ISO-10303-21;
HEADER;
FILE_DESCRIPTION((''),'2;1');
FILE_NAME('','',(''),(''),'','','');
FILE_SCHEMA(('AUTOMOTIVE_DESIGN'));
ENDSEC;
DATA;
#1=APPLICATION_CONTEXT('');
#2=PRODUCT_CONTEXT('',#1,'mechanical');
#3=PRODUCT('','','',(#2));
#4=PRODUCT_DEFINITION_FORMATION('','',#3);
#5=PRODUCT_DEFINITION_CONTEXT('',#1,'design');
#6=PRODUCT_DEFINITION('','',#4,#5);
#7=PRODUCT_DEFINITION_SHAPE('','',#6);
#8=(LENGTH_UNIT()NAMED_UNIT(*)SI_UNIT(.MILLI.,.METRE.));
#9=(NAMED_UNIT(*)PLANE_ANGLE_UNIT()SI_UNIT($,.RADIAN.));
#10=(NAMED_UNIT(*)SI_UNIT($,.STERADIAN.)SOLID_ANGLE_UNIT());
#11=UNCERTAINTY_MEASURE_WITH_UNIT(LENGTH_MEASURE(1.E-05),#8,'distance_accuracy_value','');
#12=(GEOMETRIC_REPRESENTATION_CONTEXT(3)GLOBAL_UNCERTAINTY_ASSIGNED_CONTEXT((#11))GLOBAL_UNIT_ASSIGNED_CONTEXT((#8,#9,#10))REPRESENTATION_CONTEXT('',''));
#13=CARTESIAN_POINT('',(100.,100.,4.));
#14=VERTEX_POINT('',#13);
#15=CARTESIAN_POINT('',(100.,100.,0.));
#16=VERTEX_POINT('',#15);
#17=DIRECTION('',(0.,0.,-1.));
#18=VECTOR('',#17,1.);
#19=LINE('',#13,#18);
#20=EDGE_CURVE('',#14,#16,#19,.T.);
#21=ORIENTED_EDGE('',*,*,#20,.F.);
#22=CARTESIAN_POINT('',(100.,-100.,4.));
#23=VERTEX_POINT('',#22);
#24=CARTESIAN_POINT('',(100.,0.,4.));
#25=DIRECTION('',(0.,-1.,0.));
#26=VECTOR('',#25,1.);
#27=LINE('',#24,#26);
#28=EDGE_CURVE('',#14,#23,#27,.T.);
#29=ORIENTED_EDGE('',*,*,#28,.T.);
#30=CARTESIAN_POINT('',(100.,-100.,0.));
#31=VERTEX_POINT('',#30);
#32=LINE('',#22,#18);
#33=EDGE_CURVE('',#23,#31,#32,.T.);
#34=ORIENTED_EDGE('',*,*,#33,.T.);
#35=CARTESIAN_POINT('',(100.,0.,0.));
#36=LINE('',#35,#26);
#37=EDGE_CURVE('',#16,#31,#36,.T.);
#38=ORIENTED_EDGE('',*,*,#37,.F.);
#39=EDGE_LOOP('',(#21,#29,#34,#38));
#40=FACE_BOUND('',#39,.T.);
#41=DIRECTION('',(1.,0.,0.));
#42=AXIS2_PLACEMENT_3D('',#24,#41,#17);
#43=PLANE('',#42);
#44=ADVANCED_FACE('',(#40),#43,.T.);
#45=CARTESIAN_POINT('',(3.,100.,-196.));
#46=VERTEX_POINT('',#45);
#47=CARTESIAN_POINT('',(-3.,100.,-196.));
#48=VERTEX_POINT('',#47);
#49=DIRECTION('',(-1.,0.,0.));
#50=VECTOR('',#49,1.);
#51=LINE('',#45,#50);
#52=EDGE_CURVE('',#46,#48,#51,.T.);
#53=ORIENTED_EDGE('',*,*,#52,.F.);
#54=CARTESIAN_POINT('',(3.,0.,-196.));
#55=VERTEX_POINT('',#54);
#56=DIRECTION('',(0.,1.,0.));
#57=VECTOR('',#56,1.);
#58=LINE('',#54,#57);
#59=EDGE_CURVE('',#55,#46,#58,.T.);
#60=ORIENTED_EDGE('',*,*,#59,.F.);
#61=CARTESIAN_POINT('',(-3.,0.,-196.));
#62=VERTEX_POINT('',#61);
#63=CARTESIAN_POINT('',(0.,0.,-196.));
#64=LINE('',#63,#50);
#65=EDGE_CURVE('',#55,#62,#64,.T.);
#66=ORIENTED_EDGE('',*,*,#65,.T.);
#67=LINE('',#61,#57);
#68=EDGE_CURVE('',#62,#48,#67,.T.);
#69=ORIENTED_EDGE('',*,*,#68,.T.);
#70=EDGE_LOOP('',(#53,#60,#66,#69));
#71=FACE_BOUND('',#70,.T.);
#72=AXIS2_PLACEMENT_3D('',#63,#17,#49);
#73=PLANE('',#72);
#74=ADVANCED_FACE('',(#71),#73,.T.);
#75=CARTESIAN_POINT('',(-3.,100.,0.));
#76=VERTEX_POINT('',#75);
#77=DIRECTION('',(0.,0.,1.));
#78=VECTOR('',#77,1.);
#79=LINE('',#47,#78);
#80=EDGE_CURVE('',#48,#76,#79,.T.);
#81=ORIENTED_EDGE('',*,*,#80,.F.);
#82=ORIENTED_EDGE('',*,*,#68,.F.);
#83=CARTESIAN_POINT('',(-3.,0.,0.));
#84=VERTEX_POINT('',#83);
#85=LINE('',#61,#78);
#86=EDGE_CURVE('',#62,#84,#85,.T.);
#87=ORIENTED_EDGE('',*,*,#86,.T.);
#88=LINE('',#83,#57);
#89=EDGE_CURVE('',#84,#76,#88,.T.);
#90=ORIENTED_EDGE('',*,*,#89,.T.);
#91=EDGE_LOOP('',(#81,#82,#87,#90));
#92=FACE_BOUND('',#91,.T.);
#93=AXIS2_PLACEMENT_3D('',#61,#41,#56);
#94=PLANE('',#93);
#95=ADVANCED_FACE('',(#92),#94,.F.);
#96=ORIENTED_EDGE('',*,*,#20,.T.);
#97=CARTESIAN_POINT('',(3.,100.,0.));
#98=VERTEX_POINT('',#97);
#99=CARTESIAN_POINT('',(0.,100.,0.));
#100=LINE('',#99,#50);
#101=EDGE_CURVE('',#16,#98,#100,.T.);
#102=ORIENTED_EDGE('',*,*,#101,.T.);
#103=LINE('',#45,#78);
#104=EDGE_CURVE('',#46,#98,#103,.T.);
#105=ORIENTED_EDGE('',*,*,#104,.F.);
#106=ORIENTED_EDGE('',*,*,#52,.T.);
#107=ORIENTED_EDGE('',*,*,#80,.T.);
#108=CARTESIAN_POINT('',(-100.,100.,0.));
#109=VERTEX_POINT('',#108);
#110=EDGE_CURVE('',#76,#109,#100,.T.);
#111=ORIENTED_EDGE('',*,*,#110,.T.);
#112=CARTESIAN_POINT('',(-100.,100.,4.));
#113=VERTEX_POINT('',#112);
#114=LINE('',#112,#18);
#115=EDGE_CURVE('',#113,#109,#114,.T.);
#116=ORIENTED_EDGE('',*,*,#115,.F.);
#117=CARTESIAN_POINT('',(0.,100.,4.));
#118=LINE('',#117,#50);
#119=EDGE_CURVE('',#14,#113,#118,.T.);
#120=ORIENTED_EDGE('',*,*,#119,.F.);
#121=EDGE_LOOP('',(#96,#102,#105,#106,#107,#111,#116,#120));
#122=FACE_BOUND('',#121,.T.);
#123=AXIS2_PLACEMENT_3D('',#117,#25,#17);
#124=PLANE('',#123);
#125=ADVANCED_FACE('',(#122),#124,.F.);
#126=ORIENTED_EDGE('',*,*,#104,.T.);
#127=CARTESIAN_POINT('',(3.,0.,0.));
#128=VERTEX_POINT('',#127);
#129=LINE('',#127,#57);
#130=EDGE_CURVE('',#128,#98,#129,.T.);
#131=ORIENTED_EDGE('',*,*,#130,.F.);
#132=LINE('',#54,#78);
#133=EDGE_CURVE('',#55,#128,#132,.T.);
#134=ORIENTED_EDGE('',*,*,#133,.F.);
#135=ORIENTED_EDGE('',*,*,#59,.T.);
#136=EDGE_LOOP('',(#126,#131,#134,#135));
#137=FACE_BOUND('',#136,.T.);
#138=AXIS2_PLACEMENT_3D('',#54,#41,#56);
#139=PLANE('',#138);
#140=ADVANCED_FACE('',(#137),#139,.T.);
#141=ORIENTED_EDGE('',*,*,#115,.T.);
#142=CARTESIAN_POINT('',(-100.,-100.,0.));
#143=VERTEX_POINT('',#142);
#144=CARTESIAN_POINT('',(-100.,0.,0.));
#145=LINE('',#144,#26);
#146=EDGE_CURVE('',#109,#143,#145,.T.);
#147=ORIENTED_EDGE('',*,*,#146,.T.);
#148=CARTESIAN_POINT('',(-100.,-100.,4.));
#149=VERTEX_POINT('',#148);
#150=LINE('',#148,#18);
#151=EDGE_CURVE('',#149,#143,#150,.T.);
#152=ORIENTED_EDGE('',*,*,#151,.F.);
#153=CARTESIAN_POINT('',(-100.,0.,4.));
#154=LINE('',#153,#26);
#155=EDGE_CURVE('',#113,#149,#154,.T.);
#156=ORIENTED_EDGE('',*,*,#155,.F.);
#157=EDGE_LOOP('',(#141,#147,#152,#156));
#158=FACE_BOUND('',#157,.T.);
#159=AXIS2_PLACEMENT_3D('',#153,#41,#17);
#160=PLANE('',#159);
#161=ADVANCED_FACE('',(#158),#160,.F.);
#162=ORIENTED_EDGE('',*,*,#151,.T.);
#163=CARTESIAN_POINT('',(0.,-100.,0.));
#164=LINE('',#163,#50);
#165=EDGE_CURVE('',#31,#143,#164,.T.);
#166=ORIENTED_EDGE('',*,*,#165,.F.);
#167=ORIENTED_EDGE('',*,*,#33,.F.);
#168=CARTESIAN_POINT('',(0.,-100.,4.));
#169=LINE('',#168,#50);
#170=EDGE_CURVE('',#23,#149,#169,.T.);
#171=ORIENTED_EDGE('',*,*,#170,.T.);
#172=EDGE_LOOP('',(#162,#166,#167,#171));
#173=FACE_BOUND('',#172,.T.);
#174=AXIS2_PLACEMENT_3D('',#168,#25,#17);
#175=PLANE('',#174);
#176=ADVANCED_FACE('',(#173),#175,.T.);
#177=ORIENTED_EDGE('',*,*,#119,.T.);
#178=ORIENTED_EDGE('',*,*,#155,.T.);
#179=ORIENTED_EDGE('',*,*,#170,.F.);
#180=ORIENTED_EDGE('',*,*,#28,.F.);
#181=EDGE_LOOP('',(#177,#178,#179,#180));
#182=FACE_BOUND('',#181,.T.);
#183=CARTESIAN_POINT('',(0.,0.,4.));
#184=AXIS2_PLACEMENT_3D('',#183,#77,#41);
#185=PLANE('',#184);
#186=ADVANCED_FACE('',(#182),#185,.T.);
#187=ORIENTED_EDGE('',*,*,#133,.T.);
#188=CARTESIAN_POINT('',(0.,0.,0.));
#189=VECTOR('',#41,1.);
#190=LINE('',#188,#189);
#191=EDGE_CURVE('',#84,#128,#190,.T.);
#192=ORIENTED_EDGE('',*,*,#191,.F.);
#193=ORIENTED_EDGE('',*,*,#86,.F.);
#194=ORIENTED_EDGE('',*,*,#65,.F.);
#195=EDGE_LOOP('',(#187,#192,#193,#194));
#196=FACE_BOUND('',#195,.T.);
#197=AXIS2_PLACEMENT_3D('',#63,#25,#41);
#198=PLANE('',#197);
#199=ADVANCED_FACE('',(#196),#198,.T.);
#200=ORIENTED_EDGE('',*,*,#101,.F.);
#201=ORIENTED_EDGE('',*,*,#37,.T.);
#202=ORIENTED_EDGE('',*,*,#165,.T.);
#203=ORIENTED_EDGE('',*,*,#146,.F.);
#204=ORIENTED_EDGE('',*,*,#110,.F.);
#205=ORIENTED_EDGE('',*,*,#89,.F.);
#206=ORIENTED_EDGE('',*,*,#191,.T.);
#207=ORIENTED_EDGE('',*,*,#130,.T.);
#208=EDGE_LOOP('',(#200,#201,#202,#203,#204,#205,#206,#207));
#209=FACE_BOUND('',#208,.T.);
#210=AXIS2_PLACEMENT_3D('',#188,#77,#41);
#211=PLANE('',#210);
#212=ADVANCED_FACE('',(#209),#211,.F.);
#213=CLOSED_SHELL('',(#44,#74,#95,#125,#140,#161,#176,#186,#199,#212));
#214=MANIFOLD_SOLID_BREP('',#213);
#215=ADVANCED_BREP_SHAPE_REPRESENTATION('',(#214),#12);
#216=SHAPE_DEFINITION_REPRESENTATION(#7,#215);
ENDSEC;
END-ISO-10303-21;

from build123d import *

# Parameters (mm, degrees)
SZKIC1_W                    = 100
SZKIC1_H                    = 100
DODANIE_WYCI_GNI_CIE1_DEPTH = 4
DODANIE_WYCI_GNI_CIE2_DEPTH = 196


with BuildPart() as part:
    # Szkic1 → Dodanie-wyciągnięcie1 (new body)
    with BuildSketch(Plane.XY):
        with Locations((-50, 50)):
            Rectangle(SZKIC1_W, SZKIC1_H)
        with Locations((50, 50)):
            Rectangle(SZKIC1_W, SZKIC1_H)
        with Locations((50, -50)):
            Rectangle(SZKIC1_W, SZKIC1_H)
        with Locations((-50, -50)):
            Rectangle(SZKIC1_W, SZKIC1_H)
    extrude(amount=DODANIE_WYCI_GNI_CIE1_DEPTH)

    # Szkic2 → Dodanie-wyciągnięcie2 (add)
    with BuildSketch(Plane(origin=(0, 0, 0), x_dir=(-1, 0, 0), z_dir=(0, 0, -1))):
        Polygon((0, 0), (3, 0), (3, 100), (-3, 100), (-3, 0), align=None)
    extrude(amount=DODANIE_WYCI_GNI_CIE2_DEPTH)


solid = part.part
